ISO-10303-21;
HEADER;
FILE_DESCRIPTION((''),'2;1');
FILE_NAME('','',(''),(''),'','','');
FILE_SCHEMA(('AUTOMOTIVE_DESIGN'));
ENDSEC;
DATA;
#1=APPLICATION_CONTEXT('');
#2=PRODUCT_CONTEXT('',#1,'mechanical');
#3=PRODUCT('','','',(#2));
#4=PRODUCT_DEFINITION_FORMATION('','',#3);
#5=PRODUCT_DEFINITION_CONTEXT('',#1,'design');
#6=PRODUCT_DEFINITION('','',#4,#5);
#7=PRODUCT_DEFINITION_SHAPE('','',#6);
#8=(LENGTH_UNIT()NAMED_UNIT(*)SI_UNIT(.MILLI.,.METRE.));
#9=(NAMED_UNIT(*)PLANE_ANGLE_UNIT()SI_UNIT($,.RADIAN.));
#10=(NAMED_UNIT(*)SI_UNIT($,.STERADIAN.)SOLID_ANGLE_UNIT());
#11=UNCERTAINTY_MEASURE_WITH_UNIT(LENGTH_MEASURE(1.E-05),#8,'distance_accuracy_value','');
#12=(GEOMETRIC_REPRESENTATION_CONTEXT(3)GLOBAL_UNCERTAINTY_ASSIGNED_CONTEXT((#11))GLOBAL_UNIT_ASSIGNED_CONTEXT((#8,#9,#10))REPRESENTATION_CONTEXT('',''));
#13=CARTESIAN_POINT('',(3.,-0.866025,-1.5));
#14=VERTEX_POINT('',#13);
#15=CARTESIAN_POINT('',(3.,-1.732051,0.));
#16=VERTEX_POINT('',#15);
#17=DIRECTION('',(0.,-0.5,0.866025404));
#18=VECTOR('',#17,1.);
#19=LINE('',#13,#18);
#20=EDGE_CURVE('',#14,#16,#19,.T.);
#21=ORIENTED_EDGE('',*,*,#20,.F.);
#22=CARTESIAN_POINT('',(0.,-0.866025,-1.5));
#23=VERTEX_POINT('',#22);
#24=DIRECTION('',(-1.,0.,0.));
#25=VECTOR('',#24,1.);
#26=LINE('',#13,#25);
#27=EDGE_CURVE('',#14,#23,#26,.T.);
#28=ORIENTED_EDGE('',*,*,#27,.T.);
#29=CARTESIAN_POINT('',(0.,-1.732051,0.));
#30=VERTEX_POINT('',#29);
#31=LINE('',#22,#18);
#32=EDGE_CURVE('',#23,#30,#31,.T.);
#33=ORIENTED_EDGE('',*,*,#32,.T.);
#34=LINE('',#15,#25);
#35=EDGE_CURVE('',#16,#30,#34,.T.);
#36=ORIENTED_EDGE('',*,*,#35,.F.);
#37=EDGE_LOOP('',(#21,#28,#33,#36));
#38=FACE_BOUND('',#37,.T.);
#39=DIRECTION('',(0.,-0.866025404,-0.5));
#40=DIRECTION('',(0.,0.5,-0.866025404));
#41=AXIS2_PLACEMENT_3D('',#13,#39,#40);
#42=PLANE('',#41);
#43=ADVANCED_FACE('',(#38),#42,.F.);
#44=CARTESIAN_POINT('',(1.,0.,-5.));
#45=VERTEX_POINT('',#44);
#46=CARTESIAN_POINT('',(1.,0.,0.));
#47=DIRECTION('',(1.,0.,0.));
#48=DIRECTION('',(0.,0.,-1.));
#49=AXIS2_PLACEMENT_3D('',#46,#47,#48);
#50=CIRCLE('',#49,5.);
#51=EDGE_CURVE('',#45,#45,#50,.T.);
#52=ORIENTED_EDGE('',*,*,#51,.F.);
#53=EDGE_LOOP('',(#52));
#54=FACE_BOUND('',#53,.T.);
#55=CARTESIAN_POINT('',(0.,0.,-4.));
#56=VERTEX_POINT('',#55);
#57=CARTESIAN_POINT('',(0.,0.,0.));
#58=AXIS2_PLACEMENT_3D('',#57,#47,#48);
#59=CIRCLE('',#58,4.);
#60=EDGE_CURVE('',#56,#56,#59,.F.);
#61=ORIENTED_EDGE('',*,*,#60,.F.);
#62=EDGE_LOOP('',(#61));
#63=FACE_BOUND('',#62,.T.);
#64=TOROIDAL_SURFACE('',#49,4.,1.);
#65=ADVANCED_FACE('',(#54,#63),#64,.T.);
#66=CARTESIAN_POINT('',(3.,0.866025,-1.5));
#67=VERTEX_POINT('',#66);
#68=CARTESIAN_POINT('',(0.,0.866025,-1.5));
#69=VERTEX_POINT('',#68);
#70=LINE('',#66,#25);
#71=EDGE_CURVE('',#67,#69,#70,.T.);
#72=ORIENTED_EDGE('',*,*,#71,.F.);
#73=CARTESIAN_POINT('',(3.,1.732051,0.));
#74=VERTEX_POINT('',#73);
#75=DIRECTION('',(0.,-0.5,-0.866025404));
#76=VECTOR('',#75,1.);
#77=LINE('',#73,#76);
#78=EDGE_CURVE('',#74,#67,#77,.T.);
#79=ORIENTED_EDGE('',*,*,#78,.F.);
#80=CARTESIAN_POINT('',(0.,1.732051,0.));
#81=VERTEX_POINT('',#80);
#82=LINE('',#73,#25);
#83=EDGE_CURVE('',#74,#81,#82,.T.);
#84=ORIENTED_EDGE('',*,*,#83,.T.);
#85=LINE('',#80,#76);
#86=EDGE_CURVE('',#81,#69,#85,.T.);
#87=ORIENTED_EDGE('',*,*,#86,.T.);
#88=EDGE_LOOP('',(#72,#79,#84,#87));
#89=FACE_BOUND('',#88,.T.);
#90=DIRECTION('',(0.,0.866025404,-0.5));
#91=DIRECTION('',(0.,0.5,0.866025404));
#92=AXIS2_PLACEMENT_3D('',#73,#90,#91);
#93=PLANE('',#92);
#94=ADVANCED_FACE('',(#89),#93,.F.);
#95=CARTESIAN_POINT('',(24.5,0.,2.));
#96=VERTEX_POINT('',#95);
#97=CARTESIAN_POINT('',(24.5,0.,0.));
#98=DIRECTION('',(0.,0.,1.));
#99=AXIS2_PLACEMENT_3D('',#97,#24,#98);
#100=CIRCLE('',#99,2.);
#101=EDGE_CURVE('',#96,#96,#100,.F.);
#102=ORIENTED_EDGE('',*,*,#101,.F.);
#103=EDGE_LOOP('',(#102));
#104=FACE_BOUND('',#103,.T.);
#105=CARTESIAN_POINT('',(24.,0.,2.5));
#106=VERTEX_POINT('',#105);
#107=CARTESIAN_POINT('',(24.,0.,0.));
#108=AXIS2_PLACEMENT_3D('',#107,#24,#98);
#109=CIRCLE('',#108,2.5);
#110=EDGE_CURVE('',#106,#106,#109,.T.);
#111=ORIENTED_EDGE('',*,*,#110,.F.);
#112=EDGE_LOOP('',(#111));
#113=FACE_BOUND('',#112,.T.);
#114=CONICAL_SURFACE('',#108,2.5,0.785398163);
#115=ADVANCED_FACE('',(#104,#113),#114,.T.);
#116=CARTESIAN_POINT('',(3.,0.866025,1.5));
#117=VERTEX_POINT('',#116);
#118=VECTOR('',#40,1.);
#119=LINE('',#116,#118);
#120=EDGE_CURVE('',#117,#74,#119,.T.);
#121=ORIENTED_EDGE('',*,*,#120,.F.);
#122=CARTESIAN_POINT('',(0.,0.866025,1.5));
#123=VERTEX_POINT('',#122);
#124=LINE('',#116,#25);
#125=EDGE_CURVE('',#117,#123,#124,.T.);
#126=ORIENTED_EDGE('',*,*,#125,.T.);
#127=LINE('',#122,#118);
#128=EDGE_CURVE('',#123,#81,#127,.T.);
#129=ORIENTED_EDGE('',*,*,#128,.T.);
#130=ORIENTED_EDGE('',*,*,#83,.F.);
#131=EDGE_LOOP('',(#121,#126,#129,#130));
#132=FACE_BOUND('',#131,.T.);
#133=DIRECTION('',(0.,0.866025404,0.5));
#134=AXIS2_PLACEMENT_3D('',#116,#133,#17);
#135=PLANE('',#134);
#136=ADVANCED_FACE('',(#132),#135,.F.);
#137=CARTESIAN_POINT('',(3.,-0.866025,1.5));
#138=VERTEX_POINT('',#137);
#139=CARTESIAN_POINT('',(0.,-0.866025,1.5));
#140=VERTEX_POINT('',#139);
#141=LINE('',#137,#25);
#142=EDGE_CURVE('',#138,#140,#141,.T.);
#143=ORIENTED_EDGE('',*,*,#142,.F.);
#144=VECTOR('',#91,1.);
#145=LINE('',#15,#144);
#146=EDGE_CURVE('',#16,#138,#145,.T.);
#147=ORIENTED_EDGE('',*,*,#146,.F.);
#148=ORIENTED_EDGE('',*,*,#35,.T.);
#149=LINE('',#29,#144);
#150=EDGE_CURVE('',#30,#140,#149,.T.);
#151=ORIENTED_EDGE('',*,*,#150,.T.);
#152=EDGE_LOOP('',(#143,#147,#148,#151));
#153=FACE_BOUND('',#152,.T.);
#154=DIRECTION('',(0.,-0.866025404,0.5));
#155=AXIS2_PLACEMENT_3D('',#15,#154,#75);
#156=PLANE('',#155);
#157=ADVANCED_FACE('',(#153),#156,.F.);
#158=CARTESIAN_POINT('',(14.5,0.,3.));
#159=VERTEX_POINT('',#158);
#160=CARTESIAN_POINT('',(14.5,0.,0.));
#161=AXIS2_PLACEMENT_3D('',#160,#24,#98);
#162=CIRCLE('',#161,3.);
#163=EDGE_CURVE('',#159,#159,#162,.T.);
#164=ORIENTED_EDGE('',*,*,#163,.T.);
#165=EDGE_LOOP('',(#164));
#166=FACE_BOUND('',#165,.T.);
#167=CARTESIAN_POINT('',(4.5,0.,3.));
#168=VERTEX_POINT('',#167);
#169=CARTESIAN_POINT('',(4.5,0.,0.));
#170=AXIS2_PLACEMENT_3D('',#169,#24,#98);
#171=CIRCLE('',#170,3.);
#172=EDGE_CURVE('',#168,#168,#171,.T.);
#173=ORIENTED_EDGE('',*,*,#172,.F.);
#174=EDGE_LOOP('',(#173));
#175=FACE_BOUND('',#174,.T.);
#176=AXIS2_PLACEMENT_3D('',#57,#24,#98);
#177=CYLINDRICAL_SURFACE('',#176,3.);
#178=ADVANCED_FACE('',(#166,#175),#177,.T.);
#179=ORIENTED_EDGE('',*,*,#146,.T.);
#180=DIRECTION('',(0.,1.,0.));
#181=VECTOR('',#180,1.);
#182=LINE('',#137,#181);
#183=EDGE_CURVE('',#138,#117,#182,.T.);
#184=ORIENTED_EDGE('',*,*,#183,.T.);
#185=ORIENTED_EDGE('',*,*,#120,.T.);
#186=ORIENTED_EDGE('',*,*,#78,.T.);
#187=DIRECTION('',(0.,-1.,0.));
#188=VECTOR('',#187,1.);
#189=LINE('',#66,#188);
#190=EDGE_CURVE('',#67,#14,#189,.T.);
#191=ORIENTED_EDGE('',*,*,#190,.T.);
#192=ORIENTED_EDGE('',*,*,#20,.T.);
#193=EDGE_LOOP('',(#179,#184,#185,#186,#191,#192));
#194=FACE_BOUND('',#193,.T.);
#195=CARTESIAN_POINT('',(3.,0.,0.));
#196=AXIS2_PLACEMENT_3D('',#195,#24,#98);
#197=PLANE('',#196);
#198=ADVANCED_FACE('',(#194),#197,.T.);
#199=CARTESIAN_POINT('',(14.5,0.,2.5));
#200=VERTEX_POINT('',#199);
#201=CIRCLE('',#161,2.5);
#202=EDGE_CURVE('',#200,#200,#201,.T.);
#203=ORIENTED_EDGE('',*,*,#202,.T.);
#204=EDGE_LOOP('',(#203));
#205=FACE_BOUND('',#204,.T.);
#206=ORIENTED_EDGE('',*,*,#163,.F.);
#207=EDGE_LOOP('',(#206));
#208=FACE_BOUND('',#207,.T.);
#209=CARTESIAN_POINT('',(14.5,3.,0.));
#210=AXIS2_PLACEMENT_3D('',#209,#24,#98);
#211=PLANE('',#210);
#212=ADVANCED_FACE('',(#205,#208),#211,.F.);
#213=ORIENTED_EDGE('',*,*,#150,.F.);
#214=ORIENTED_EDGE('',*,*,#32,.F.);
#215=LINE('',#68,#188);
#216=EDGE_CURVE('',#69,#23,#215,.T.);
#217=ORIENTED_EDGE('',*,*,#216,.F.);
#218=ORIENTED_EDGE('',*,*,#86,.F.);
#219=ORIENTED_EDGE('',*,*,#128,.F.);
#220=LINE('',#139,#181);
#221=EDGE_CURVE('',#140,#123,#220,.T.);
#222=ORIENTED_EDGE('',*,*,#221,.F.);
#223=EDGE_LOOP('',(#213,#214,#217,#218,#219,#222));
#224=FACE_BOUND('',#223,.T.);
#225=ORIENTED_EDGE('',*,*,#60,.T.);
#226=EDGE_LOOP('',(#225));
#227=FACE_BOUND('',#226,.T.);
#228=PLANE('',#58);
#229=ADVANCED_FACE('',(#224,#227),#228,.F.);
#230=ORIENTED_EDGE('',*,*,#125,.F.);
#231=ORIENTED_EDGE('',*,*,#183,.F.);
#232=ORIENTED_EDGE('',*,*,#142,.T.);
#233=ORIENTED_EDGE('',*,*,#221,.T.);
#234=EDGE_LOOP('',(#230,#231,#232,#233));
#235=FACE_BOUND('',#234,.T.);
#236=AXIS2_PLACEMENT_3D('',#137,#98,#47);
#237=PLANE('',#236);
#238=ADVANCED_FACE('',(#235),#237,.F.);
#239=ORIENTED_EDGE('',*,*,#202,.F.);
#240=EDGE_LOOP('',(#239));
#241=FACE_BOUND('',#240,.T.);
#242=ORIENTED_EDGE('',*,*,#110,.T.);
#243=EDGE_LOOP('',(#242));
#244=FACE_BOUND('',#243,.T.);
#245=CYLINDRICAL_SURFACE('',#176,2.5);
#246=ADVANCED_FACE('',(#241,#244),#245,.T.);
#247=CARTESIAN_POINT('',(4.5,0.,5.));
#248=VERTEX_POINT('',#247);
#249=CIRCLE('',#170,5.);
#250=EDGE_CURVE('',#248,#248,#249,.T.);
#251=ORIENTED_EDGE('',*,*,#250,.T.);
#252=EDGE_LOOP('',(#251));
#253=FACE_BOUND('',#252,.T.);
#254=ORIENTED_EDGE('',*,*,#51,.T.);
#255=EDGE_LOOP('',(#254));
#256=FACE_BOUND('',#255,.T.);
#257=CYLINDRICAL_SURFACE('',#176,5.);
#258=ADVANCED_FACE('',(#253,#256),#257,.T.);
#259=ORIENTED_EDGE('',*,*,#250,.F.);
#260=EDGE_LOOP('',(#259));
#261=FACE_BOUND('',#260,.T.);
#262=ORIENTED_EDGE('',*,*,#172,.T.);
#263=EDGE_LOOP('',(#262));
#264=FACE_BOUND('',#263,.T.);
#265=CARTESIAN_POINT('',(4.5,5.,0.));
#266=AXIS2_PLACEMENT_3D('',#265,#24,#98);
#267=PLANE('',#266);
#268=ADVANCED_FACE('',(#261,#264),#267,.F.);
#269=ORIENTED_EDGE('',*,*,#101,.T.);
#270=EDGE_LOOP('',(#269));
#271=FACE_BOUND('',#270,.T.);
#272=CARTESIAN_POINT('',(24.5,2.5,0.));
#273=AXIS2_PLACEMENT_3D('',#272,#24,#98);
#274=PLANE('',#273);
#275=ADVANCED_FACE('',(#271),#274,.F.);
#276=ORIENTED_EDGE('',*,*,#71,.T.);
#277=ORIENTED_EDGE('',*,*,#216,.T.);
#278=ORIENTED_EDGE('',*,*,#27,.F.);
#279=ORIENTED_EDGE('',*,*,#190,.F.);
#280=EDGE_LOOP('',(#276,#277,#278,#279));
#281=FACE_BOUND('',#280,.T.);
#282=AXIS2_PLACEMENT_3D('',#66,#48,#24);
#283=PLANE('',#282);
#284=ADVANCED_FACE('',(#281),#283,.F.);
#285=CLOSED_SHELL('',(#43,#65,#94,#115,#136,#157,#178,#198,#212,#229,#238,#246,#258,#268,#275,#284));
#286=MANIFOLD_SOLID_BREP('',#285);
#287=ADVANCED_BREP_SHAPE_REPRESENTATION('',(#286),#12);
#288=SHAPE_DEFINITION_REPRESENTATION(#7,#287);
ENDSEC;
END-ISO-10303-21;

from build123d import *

# Parameters (mm, degrees)
CUT_EXTRUDE_1_DEPTH = 3
FILLET_1_R          = 1
CHAMFER_1_SIZE      = 0.5


with BuildPart() as part:
    # 草图1 → 旋转1 (revolve)
    with BuildSketch(Plane.XY):
        Polygon((0, 0), (0, 5), (4.5, 5), (4.5, 3), (14.5, 3), (14.5, 2.5), (24.5, 2.5), (24.5, 0), align=None)
    revolve(axis=Axis((0, 0, 0), (1, 0, 0)))

    # 草图2 → 切除-拉伸1 (cut)
    with BuildSketch(Plane.ZY):
        Polygon((0, 1.732050808), (-1.5, 0.866025404), (-1.5, -0.866025404), (0, -1.732050808), (1.5, -0.866025404), (1.5, 0.866025404), align=None)
    extrude(amount=-CUT_EXTRUDE_1_DEPTH, mode=Mode.SUBTRACT)

    # 圆角1
    fillet_1_edges = [part.edges().sort_by_distance(p)[0] for p in [
        (0, -5, 0),
    ]]
    fillet(fillet_1_edges, radius=FILLET_1_R)

    # 倒角1
    chamfer_1_edges = [part.edges().sort_by_distance(p)[0] for p in [
        (24.5, -2.5, 0),
    ]]
    chamfer(chamfer_1_edges, length=CHAMFER_1_SIZE)


solid = part.part
